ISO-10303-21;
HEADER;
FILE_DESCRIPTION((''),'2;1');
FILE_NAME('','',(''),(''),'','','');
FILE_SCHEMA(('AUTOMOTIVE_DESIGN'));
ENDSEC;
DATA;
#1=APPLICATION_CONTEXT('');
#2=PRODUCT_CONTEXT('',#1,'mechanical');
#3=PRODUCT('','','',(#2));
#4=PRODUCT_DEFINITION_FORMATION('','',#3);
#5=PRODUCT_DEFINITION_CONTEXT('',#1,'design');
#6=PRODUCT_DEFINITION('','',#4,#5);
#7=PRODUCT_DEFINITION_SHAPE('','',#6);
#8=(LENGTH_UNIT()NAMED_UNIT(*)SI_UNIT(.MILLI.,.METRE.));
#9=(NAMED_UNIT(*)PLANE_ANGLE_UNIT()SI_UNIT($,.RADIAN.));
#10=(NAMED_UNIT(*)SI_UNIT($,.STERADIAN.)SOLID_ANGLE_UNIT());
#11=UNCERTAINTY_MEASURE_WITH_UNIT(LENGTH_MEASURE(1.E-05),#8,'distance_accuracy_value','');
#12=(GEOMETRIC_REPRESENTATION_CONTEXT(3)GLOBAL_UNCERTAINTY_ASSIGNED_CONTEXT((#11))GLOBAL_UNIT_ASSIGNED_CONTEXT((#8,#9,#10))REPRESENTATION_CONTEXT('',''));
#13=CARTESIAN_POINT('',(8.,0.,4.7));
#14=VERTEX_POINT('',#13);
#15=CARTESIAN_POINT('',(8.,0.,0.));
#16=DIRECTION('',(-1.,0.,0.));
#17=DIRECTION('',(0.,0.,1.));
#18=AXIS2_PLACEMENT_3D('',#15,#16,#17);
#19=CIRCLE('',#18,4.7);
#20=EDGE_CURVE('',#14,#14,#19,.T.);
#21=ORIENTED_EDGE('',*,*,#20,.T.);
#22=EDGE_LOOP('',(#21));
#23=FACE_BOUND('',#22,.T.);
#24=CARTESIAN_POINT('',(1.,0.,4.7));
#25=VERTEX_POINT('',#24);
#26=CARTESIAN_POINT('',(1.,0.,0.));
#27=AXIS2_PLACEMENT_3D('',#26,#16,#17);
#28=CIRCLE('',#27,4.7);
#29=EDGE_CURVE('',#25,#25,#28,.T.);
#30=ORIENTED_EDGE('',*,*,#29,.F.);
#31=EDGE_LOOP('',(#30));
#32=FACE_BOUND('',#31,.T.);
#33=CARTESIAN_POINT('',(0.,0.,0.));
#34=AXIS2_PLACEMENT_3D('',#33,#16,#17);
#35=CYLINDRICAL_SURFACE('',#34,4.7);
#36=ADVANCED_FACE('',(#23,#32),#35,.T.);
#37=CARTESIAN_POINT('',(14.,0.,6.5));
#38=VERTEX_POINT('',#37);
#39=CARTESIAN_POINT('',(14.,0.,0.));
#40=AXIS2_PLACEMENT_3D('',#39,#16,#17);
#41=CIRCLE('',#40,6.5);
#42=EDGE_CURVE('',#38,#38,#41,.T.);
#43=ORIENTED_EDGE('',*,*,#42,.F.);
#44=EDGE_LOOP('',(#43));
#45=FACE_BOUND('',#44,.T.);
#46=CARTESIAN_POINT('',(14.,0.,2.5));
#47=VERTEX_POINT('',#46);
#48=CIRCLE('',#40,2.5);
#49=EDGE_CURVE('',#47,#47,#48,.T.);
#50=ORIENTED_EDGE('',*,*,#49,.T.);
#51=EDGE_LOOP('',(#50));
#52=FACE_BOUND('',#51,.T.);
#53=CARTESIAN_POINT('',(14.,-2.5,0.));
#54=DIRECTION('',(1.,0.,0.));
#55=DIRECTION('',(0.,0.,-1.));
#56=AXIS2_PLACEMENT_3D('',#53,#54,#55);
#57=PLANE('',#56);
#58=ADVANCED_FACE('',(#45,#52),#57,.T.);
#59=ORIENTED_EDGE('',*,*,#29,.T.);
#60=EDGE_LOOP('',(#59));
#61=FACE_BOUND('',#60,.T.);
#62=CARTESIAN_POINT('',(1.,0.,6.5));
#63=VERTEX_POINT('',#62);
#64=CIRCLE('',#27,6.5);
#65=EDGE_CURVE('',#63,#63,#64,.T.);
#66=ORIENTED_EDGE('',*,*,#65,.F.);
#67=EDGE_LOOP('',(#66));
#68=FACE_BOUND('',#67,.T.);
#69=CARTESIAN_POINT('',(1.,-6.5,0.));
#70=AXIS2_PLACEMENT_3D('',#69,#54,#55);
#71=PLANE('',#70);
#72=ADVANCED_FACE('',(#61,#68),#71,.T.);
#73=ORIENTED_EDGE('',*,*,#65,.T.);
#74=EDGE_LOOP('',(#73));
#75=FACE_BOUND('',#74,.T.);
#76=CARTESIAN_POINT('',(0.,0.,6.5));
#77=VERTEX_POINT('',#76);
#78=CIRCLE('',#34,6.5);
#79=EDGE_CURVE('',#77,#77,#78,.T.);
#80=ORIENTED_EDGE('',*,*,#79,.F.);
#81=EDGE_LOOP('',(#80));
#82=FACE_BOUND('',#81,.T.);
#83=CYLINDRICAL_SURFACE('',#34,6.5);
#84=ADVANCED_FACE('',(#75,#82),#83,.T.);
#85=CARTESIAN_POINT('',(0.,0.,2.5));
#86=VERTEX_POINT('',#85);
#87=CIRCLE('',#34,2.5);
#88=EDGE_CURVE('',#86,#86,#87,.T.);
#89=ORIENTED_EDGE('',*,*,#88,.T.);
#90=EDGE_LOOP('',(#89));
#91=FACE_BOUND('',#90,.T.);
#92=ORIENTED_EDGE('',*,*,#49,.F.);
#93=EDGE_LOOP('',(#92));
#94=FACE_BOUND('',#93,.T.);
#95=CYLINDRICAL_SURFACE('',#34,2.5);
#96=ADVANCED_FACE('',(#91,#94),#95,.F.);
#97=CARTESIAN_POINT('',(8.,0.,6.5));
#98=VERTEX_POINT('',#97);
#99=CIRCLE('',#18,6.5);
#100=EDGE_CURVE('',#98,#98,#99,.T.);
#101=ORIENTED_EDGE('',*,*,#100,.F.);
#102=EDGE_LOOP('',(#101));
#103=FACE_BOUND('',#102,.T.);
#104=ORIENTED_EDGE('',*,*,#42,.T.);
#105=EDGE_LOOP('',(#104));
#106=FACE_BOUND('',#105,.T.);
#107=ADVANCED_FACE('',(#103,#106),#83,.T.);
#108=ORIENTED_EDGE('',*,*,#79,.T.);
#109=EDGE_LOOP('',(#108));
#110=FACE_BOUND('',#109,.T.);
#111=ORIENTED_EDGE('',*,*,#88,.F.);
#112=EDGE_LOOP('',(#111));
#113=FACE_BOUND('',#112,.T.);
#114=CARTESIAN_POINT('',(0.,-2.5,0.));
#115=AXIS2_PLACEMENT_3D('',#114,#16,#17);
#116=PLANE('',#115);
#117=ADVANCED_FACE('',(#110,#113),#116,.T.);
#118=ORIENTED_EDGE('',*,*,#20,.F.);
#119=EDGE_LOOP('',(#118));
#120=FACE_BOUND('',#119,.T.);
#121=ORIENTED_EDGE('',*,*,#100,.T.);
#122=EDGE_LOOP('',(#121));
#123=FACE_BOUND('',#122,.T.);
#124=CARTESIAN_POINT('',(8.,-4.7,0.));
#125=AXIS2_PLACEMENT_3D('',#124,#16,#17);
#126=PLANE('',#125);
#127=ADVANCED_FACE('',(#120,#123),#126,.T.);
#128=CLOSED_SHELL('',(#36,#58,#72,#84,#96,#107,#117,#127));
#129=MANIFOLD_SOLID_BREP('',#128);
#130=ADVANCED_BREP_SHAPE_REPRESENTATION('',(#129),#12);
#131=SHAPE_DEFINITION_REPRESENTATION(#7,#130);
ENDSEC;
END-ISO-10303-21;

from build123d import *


with BuildPart() as part:
    # Sketch1 → Revolve1 (revolve)
    with BuildSketch(Plane.XY, mode=Mode.PRIVATE) as revolve1_sk:
        Polygon((0, -2.5), (0, -6.5), (1, -6.5), (1, -4.7), (8, -4.7), (8, -6.5), (14, -6.5), (14, -2.5), align=None)
    revolve(revolve1_sk.sketch.rotate(Axis((0, 0, 0), (1, 0, 0)), 270), axis=Axis((0, 0, 0), (1, 0, 0)))


solid = part.part
